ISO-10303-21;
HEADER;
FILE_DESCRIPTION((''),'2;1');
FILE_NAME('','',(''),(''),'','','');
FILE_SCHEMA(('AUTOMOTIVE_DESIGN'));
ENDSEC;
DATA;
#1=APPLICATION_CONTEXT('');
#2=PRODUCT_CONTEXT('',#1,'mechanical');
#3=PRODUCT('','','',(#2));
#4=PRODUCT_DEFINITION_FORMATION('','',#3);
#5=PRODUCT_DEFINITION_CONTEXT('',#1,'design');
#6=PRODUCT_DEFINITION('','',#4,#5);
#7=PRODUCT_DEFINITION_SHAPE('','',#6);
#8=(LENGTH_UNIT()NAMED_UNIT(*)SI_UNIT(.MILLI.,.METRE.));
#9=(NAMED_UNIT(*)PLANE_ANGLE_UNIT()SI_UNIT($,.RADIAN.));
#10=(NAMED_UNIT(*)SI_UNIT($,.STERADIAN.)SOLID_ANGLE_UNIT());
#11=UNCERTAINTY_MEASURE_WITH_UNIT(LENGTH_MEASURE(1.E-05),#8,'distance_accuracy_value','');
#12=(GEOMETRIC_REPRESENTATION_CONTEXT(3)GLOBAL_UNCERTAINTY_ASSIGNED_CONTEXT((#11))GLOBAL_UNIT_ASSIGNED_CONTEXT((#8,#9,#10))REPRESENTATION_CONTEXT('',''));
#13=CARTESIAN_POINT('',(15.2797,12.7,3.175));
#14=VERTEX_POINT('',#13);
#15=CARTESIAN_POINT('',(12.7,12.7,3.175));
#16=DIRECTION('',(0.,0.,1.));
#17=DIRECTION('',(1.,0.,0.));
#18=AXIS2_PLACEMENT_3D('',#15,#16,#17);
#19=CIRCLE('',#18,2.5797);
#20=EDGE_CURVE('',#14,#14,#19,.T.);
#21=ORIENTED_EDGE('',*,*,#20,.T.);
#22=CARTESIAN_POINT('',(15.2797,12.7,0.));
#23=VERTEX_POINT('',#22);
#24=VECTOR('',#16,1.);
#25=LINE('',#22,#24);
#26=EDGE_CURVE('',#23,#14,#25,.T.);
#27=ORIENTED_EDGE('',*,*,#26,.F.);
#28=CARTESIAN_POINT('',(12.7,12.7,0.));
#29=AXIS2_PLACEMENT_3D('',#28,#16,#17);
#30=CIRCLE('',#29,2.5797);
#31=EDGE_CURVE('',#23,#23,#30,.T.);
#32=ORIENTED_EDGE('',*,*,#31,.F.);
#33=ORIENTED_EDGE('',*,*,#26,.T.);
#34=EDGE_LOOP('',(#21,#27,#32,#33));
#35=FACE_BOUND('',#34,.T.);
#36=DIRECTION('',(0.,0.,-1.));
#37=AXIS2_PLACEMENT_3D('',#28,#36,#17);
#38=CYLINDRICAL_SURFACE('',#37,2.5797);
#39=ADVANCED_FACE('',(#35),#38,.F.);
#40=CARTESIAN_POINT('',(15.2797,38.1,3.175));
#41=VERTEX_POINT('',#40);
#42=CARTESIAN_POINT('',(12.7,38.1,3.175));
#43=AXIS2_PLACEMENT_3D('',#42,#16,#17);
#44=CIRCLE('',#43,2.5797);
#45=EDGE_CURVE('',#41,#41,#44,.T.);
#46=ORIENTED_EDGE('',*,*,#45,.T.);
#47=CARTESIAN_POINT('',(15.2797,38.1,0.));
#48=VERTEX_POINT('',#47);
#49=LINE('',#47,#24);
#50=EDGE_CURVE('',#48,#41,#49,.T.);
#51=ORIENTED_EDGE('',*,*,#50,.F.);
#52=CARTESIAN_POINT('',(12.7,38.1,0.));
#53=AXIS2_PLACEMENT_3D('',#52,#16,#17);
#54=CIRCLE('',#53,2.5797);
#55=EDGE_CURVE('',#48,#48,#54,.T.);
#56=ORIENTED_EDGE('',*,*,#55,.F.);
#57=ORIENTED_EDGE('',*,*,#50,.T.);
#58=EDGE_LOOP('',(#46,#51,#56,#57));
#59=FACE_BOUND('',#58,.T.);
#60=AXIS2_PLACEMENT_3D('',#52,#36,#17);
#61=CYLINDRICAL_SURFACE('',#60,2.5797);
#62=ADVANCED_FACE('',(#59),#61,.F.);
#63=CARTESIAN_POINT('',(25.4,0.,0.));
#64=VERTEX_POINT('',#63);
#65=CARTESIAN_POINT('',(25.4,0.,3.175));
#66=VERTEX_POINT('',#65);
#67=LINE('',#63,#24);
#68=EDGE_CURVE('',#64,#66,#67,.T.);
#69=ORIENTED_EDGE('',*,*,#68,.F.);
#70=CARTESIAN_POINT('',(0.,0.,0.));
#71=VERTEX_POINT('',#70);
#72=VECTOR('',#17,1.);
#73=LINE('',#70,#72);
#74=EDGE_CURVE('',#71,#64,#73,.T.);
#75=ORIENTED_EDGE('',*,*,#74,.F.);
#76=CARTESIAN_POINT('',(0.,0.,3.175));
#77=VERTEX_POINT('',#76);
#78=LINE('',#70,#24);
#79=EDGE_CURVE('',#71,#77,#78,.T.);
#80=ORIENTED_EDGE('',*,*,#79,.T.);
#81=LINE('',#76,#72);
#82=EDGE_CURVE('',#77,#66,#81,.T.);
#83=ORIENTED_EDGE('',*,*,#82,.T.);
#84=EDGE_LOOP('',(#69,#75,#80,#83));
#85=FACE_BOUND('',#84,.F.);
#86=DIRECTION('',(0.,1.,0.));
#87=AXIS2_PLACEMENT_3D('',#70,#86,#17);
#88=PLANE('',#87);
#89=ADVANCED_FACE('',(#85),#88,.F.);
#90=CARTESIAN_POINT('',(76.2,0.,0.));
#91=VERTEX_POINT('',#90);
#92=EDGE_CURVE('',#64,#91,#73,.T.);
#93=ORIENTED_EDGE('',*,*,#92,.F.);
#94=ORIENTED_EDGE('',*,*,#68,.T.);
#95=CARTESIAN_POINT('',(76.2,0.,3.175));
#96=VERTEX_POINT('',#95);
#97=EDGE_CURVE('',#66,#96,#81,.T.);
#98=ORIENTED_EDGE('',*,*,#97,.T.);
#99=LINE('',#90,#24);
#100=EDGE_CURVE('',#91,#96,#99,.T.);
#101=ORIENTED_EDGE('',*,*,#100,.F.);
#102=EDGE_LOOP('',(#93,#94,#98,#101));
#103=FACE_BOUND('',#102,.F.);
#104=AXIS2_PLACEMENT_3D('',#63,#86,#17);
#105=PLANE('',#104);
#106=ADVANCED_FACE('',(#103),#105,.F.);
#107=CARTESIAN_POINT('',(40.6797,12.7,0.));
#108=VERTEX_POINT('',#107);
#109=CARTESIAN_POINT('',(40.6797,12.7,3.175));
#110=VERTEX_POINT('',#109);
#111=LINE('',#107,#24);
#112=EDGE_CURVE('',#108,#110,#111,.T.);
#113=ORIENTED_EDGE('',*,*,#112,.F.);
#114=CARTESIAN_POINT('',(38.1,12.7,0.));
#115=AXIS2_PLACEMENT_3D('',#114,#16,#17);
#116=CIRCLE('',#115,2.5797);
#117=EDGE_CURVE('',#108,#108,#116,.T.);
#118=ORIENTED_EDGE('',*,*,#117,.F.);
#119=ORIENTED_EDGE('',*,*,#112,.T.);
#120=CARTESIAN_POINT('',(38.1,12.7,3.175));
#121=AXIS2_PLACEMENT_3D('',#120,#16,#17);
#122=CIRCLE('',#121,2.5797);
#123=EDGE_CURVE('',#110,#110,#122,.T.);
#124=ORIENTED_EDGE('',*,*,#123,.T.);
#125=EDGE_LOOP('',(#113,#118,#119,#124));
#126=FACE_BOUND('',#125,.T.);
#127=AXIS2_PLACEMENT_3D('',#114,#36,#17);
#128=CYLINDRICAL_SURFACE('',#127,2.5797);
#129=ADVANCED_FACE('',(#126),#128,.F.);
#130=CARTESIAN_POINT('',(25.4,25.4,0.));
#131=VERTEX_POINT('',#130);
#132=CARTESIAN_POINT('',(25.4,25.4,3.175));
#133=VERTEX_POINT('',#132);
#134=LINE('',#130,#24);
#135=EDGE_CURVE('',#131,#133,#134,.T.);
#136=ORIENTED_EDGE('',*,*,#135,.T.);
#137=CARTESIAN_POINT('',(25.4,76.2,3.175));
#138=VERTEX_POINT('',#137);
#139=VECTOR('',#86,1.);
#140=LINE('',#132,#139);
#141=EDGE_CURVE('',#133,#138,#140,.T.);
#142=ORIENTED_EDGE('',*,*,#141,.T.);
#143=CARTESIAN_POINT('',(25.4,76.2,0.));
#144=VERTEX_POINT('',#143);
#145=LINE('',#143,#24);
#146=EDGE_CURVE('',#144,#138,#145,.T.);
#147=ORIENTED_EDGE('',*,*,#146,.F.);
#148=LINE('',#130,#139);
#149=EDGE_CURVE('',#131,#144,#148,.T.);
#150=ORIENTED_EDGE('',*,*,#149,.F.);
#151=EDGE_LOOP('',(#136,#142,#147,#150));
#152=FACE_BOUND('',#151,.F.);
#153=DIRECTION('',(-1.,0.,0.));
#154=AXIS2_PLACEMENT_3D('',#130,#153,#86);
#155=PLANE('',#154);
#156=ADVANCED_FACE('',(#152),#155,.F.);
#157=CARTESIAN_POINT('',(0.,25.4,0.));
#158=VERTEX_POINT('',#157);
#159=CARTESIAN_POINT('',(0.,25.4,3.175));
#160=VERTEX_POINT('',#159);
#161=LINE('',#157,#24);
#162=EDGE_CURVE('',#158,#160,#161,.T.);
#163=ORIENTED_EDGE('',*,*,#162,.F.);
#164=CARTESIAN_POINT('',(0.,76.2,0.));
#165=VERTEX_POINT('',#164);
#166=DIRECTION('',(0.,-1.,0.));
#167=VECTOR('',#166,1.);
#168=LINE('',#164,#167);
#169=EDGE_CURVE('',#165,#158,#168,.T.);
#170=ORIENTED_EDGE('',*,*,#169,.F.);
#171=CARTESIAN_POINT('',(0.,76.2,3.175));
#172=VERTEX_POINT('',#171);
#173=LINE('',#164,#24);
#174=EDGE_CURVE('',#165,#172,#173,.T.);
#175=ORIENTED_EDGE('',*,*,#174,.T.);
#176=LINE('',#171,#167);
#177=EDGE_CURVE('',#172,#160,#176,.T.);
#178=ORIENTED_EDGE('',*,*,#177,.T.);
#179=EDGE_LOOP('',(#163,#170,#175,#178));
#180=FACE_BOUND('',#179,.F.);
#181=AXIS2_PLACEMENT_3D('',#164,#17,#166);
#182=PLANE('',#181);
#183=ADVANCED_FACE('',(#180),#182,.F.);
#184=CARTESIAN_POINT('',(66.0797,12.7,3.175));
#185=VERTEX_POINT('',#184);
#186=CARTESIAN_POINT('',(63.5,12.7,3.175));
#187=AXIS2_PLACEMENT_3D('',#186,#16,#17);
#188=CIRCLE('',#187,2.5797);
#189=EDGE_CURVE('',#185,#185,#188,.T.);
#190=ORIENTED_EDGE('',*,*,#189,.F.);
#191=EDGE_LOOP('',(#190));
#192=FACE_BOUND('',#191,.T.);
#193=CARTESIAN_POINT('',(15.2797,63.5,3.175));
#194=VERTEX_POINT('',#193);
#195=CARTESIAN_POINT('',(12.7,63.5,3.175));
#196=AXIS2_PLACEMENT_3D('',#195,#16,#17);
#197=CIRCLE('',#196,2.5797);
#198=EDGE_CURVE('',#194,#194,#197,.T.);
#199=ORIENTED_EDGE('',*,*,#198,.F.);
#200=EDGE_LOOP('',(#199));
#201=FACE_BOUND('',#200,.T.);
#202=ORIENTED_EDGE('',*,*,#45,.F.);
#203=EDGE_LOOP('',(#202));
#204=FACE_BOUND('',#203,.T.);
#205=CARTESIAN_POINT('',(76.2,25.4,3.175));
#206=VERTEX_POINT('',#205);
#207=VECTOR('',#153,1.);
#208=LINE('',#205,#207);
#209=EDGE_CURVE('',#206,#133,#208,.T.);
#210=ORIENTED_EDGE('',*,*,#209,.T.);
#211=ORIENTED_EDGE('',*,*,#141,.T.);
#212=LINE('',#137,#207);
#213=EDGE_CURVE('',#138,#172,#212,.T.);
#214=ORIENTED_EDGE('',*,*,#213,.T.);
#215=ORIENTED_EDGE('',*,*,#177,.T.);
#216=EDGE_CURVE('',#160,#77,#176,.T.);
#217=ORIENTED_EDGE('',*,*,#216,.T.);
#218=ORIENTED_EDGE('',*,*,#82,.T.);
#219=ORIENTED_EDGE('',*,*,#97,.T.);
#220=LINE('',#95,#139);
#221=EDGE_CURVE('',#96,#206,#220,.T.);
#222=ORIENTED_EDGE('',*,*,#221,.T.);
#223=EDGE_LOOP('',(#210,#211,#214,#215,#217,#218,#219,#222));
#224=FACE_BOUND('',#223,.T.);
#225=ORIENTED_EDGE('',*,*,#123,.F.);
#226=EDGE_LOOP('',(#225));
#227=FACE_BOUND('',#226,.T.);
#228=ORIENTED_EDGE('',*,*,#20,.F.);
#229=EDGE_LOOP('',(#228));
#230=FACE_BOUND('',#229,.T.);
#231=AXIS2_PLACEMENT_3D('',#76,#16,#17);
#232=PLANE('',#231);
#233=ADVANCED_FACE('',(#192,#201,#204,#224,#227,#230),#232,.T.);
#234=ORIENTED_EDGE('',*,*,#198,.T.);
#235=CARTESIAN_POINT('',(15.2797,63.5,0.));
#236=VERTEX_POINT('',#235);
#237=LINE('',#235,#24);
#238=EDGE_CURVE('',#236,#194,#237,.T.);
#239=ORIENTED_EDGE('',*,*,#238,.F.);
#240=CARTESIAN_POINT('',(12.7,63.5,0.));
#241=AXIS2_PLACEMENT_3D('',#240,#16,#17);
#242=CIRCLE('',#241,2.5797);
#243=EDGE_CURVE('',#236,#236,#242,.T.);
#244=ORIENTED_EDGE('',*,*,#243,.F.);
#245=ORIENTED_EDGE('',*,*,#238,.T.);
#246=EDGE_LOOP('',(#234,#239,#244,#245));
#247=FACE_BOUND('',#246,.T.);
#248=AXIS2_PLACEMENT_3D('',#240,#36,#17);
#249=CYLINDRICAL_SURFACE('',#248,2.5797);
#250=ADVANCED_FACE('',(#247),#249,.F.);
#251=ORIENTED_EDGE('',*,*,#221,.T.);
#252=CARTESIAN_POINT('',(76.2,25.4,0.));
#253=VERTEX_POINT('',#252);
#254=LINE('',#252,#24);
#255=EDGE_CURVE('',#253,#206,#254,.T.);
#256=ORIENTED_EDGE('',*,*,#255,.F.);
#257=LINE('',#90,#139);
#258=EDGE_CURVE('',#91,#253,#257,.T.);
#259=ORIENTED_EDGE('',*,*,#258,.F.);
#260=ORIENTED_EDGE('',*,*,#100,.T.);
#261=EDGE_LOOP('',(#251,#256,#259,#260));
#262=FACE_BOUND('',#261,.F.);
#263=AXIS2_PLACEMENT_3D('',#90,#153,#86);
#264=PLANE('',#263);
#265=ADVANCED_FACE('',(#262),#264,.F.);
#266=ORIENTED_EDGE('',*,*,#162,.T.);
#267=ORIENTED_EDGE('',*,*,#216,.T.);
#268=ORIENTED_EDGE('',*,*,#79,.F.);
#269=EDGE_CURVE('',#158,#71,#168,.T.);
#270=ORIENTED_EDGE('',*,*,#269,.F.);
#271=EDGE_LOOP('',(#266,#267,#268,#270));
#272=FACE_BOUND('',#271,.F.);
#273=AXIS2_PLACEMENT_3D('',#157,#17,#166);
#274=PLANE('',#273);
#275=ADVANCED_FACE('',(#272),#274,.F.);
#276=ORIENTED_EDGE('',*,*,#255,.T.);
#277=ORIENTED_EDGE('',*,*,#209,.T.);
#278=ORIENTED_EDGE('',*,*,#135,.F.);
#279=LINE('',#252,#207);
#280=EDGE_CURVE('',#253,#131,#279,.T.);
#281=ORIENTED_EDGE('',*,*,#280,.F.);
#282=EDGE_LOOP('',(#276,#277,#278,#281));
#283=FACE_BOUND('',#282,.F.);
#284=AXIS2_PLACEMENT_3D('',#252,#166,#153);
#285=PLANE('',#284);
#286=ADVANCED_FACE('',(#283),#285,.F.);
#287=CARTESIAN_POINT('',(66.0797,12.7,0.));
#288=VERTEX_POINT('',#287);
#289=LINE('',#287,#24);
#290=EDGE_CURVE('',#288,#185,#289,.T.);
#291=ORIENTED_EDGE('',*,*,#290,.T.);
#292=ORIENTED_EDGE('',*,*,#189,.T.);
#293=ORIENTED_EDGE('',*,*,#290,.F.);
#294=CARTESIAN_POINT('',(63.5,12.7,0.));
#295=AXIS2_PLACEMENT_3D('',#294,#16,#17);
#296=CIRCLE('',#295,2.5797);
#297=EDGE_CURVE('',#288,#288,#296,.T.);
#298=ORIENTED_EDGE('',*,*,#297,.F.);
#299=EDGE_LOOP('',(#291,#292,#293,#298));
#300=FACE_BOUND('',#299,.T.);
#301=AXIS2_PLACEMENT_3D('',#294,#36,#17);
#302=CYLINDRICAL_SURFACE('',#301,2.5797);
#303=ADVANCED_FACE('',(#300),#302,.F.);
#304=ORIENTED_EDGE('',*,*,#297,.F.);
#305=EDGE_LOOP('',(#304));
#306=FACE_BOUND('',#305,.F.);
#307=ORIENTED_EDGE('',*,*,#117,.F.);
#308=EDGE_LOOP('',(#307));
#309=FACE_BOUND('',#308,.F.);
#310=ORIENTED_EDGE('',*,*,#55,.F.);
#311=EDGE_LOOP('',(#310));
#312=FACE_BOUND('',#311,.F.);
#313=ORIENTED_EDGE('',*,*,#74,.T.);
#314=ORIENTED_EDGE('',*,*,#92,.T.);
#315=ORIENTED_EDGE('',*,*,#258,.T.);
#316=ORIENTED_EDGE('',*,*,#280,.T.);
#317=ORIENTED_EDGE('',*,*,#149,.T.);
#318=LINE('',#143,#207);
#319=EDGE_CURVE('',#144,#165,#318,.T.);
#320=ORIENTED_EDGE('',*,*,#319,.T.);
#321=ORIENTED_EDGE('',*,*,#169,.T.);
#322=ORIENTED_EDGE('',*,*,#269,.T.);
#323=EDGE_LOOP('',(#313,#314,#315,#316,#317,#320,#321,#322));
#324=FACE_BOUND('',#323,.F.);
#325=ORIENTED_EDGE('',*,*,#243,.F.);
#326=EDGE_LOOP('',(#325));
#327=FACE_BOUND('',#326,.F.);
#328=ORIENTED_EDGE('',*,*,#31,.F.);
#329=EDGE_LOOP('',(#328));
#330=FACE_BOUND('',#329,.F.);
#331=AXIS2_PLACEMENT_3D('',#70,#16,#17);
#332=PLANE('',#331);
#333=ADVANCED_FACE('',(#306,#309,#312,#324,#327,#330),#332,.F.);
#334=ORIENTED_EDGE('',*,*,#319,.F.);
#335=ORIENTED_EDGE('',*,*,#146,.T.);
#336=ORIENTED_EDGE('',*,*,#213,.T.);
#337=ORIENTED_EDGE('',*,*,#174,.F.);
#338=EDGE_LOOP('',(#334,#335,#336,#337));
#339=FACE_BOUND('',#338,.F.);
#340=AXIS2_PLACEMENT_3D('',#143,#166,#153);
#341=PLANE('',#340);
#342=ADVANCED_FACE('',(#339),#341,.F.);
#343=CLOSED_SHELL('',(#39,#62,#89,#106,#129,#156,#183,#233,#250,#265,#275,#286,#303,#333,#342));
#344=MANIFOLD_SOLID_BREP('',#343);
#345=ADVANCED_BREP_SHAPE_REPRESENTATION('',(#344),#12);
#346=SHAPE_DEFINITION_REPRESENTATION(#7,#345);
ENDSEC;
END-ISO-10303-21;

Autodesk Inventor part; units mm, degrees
ref_plane "YZ Plane" through (0, 0, 0) normal (1, 0, 0) x (0, 1, 0)
ref_plane "XZ Plane" through (0, 0, 0) normal (0, 1, 0) x (-1, 0, 0)
ref_plane "XY Plane" through (0, 0, 0) normal (0, 0, 1) x (1, 0, 0)
sketch "Sketch1" plane through (0, 0, 0) normal (0, 0, 1) x (1, 0, 0)
  line L0 (0, 0) -> (25.4, 0)
  line L1 (25.4, 25.4) -> (25.4, 76.2)
  line L2 (25.4, 76.2) -> (0, 76.2)
  line L3 (0, 76.2) -> (0, 0)
  line L4 (0, 0) -> (76.2, 0)
  line L5 (76.2, 0) -> (76.2, 25.4)
  line L6 (76.2, 25.4) -> (25.4, 25.4)
  line L7 (0, 25.4) -> (0, 0)
  line L8 (12.7, 76.2) -> (12.7, 63.5) construction
  line L9 (12.7, 63.5) -> (12.7, 38.1) construction
  line L10 (12.7, 38.1) -> (12.7, 12.7) construction
  line L11 (12.7, 12.7) -> (38.1, 12.7) construction
  line L12 (38.1, 12.7) -> (63.5, 12.7) construction
  circle A0 centre (12.7, 63.5) radius 2.5797
  circle A1 centre (12.7, 38.1) radius 2.5797
  circle A2 centre (12.7, 12.7) radius 2.5797
  circle A3 centre (38.1, 12.7) radius 2.5797
  circle A4 centre (63.5, 12.7) radius 2.5797
  dimension "d0" = 25.4
  dimension "d1" = 76.2
  dimension "d2" = 76.2
  dimension "d3" = 25.4
  dimension "d4" = 12.7
  dimension "d5" = 25.4
  dimension "d6" = 25.4
  dimension "d7" = 25.4
  dimension "d8" = 25.4
  dimension "d9" = 5.1594
extrude "Extrusion1" add sketch "Sketch1" along normal blind 3.175
properties part number "L-Guesset"
